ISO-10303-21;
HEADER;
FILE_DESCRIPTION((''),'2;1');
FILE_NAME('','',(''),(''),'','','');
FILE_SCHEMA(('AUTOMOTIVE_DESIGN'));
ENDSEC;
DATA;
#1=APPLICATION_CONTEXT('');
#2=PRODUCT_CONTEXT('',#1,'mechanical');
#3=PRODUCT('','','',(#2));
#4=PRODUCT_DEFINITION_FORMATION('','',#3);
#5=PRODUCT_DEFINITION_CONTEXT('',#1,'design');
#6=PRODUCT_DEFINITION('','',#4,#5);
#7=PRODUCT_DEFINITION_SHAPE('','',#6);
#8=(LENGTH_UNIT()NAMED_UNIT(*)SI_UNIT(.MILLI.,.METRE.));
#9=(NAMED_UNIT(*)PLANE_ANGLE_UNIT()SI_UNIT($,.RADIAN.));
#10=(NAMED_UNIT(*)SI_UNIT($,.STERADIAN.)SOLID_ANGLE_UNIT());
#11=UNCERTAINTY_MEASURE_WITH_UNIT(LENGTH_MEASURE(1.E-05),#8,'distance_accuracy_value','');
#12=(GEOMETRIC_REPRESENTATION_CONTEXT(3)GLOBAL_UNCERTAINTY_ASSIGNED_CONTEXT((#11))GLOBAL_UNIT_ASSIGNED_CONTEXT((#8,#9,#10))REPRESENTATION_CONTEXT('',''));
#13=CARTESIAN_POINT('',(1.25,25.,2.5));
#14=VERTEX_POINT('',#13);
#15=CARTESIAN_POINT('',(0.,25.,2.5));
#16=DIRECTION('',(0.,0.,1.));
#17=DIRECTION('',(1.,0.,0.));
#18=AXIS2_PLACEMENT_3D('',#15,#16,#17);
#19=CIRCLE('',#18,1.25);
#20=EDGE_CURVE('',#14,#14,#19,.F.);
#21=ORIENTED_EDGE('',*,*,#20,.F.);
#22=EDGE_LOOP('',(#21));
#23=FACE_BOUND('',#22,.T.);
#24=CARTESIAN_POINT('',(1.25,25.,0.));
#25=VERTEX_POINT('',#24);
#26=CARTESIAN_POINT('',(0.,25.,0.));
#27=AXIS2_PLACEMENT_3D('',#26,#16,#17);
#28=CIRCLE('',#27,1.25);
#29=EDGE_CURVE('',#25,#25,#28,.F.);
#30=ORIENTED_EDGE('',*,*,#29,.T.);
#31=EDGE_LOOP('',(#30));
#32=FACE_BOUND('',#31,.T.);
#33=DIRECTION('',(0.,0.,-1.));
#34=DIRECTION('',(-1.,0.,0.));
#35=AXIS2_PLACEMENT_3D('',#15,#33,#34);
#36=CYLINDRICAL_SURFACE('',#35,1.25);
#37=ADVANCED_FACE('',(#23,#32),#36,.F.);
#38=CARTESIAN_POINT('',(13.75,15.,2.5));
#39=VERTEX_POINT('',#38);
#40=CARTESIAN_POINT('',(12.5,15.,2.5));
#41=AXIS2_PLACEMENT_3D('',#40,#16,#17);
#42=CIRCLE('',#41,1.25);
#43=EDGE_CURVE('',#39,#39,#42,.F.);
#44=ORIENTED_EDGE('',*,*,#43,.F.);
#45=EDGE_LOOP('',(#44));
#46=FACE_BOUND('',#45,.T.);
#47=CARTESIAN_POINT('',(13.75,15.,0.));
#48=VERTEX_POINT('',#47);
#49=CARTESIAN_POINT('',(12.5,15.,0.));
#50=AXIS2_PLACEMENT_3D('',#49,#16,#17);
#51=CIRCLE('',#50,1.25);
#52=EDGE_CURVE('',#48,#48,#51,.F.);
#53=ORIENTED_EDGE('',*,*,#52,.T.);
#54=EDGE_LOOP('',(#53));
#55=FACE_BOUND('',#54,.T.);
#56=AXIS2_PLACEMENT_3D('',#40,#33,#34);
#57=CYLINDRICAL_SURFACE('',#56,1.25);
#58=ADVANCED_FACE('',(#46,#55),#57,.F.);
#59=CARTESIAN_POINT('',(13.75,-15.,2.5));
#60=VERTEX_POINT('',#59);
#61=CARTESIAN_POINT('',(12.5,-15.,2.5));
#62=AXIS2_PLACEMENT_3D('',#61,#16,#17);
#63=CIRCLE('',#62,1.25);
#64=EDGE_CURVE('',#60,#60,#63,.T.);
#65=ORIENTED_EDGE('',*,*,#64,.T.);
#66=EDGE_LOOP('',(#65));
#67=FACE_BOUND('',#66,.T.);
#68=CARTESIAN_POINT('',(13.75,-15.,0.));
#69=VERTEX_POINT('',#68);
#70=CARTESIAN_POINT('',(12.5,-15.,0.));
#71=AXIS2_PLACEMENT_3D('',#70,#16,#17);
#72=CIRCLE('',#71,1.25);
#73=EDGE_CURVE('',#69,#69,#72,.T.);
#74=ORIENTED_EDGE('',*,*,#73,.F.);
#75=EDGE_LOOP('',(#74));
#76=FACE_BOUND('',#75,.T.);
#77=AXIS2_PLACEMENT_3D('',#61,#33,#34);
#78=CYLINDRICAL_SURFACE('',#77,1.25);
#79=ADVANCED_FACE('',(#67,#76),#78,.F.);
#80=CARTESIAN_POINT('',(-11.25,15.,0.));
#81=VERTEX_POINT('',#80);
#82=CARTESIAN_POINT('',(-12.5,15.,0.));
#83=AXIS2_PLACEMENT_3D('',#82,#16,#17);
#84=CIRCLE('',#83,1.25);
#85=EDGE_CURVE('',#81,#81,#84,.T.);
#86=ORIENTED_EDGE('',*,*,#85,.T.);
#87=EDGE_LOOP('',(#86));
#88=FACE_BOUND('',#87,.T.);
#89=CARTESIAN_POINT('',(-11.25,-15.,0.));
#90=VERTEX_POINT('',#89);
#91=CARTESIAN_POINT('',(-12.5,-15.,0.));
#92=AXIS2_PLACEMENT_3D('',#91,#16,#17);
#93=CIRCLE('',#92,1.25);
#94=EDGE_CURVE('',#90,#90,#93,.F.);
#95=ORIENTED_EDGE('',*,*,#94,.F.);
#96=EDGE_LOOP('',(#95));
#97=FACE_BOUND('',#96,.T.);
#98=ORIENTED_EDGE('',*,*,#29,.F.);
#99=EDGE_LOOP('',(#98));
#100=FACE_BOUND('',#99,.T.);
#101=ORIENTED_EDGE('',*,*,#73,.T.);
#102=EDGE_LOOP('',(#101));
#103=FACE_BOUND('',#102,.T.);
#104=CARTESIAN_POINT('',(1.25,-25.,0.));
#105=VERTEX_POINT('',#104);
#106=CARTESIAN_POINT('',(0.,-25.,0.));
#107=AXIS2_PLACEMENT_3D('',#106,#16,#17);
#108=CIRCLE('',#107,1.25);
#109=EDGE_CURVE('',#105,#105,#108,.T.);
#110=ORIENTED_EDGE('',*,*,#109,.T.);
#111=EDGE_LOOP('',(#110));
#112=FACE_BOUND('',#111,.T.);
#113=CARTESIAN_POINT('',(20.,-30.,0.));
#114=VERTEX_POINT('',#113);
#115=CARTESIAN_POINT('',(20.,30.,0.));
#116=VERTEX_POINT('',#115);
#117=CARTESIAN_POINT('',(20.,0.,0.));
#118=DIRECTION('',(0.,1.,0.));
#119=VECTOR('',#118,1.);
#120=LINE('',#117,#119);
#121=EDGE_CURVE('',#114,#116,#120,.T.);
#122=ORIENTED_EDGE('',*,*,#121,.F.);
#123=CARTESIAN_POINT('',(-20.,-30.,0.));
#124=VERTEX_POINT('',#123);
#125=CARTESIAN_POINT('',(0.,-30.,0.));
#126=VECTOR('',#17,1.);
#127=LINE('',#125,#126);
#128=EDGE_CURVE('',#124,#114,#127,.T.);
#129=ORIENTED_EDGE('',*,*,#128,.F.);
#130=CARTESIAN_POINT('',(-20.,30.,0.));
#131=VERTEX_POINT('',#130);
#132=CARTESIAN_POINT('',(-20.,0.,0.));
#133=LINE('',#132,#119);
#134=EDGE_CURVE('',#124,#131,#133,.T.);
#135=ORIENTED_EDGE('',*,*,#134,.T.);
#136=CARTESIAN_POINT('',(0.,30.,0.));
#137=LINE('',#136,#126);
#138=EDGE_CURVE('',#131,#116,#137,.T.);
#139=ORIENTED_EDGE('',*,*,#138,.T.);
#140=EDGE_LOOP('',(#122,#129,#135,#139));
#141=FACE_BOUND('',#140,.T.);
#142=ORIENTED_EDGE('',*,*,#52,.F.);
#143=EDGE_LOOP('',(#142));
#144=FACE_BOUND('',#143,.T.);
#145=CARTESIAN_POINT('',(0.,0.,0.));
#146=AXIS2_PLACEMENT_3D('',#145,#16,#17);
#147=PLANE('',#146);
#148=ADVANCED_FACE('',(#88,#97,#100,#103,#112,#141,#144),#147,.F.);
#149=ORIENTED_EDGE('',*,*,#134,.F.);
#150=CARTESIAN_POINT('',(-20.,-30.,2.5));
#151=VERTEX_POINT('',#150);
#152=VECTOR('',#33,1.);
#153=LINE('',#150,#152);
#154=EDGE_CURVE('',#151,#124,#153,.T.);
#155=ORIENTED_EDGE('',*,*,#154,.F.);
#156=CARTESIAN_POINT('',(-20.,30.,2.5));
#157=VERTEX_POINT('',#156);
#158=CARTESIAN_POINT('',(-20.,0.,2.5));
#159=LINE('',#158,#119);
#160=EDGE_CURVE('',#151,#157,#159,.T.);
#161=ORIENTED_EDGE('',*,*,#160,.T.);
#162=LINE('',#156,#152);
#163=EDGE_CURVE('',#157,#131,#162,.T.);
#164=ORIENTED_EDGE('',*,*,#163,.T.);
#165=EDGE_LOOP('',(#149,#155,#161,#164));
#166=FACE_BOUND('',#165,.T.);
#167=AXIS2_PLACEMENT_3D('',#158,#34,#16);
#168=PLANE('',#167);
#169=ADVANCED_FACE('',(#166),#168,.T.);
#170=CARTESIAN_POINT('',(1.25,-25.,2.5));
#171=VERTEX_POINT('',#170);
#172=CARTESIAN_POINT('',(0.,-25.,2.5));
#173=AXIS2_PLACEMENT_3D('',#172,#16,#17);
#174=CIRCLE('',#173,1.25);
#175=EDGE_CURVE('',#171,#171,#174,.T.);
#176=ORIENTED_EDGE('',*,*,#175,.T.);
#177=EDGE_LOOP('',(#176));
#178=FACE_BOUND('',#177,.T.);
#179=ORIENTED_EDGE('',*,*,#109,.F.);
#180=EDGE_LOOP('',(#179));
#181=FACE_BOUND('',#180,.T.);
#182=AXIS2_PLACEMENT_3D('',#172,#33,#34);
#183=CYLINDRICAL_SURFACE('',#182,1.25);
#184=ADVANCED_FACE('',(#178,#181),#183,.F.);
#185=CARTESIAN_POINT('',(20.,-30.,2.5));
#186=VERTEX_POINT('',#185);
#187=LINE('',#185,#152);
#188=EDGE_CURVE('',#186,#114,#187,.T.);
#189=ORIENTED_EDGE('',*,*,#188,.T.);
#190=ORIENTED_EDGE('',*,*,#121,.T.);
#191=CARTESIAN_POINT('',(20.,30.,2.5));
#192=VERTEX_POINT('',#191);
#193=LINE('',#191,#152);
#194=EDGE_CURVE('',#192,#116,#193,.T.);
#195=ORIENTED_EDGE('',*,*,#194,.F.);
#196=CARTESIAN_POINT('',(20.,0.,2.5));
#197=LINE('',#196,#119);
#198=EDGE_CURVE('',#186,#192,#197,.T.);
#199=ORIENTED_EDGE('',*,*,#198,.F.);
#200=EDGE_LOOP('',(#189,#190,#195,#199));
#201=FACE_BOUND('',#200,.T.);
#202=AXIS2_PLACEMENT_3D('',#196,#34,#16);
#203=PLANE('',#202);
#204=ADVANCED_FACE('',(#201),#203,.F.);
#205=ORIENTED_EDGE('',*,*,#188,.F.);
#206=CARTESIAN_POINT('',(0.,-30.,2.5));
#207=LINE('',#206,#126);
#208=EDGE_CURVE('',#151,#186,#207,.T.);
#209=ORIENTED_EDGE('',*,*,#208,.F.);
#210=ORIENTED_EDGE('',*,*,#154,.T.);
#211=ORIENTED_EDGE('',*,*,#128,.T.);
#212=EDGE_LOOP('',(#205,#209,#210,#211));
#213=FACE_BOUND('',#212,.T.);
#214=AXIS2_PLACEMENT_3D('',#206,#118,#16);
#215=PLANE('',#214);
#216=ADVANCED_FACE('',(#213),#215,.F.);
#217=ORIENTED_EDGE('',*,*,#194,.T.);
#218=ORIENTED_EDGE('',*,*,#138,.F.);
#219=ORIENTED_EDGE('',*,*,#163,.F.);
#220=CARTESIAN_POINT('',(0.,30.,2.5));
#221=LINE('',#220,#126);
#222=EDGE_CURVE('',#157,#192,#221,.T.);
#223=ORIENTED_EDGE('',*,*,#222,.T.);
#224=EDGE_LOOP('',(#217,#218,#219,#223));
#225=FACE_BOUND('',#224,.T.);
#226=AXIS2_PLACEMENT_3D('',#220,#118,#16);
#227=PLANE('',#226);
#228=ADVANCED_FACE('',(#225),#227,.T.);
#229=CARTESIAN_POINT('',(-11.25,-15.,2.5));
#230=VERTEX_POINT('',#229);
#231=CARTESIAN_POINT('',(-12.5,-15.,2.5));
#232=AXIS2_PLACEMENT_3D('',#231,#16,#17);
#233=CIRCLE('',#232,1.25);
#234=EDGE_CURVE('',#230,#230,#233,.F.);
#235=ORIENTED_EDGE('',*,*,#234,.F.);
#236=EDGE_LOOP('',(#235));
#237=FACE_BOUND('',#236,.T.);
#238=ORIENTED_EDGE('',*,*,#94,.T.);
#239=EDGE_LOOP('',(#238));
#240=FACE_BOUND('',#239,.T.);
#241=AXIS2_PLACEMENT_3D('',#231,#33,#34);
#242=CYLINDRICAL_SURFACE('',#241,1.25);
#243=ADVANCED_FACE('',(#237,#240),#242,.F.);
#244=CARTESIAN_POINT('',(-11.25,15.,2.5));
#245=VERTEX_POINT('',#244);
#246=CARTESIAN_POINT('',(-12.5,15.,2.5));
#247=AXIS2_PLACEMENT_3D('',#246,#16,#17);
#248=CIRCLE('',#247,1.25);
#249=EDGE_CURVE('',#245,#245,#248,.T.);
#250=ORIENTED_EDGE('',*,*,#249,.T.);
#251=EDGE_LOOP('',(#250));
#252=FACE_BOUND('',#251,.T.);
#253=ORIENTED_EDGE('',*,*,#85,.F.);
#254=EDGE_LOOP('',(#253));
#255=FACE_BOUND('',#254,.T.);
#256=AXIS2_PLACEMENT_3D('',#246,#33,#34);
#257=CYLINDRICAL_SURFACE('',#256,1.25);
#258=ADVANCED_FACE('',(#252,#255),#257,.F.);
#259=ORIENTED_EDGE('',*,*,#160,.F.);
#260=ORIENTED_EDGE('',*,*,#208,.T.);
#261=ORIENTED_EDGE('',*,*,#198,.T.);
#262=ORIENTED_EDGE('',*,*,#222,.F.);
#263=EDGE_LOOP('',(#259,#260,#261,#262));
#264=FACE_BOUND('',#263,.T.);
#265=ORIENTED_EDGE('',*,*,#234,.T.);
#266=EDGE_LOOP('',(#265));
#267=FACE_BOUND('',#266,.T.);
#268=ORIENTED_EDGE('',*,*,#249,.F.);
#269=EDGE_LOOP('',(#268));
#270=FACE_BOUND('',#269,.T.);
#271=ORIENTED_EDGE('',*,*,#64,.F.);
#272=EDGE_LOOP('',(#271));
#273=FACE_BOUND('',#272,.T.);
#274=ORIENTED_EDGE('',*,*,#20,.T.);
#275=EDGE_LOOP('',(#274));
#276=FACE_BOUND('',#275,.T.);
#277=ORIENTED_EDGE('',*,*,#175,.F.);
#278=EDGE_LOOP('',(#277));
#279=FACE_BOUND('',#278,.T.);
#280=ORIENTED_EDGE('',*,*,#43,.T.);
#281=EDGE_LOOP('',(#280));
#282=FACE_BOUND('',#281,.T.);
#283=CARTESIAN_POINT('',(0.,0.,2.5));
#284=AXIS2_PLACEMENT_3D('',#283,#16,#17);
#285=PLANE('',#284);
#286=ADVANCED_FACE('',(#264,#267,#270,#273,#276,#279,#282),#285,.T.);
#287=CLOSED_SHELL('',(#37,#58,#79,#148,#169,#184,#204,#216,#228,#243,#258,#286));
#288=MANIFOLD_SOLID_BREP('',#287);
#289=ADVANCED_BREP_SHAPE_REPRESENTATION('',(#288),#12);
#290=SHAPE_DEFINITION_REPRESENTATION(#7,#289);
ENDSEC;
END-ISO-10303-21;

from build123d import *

# Parameters (mm, degrees)
SKETCH2_W           = 40
SKETCH2_H           = 60
SKETCH2_R           = 1.25
BOSS_EXTRUDE2_DEPTH = 2.5


with BuildPart() as part:
    # Sketch2 → Boss-Extrude2 (new body)
    with BuildSketch(Plane.XY):
        Rectangle(SKETCH2_W, SKETCH2_H)
        with Locations((0, 25)):
            Circle(SKETCH2_R, mode=Mode.SUBTRACT)
        with Locations((0, -25)):
            Circle(SKETCH2_R, mode=Mode.SUBTRACT)
        with Locations((12.5, -15)):
            Circle(SKETCH2_R, mode=Mode.SUBTRACT)
        with Locations((-12.5, -15)):
            Circle(SKETCH2_R, mode=Mode.SUBTRACT)
        with Locations((-12.5, 15)):
            Circle(SKETCH2_R, mode=Mode.SUBTRACT)
        with Locations((12.5, 15)):
            Circle(SKETCH2_R, mode=Mode.SUBTRACT)
    extrude(amount=BOSS_EXTRUDE2_DEPTH)


solid = part.part
